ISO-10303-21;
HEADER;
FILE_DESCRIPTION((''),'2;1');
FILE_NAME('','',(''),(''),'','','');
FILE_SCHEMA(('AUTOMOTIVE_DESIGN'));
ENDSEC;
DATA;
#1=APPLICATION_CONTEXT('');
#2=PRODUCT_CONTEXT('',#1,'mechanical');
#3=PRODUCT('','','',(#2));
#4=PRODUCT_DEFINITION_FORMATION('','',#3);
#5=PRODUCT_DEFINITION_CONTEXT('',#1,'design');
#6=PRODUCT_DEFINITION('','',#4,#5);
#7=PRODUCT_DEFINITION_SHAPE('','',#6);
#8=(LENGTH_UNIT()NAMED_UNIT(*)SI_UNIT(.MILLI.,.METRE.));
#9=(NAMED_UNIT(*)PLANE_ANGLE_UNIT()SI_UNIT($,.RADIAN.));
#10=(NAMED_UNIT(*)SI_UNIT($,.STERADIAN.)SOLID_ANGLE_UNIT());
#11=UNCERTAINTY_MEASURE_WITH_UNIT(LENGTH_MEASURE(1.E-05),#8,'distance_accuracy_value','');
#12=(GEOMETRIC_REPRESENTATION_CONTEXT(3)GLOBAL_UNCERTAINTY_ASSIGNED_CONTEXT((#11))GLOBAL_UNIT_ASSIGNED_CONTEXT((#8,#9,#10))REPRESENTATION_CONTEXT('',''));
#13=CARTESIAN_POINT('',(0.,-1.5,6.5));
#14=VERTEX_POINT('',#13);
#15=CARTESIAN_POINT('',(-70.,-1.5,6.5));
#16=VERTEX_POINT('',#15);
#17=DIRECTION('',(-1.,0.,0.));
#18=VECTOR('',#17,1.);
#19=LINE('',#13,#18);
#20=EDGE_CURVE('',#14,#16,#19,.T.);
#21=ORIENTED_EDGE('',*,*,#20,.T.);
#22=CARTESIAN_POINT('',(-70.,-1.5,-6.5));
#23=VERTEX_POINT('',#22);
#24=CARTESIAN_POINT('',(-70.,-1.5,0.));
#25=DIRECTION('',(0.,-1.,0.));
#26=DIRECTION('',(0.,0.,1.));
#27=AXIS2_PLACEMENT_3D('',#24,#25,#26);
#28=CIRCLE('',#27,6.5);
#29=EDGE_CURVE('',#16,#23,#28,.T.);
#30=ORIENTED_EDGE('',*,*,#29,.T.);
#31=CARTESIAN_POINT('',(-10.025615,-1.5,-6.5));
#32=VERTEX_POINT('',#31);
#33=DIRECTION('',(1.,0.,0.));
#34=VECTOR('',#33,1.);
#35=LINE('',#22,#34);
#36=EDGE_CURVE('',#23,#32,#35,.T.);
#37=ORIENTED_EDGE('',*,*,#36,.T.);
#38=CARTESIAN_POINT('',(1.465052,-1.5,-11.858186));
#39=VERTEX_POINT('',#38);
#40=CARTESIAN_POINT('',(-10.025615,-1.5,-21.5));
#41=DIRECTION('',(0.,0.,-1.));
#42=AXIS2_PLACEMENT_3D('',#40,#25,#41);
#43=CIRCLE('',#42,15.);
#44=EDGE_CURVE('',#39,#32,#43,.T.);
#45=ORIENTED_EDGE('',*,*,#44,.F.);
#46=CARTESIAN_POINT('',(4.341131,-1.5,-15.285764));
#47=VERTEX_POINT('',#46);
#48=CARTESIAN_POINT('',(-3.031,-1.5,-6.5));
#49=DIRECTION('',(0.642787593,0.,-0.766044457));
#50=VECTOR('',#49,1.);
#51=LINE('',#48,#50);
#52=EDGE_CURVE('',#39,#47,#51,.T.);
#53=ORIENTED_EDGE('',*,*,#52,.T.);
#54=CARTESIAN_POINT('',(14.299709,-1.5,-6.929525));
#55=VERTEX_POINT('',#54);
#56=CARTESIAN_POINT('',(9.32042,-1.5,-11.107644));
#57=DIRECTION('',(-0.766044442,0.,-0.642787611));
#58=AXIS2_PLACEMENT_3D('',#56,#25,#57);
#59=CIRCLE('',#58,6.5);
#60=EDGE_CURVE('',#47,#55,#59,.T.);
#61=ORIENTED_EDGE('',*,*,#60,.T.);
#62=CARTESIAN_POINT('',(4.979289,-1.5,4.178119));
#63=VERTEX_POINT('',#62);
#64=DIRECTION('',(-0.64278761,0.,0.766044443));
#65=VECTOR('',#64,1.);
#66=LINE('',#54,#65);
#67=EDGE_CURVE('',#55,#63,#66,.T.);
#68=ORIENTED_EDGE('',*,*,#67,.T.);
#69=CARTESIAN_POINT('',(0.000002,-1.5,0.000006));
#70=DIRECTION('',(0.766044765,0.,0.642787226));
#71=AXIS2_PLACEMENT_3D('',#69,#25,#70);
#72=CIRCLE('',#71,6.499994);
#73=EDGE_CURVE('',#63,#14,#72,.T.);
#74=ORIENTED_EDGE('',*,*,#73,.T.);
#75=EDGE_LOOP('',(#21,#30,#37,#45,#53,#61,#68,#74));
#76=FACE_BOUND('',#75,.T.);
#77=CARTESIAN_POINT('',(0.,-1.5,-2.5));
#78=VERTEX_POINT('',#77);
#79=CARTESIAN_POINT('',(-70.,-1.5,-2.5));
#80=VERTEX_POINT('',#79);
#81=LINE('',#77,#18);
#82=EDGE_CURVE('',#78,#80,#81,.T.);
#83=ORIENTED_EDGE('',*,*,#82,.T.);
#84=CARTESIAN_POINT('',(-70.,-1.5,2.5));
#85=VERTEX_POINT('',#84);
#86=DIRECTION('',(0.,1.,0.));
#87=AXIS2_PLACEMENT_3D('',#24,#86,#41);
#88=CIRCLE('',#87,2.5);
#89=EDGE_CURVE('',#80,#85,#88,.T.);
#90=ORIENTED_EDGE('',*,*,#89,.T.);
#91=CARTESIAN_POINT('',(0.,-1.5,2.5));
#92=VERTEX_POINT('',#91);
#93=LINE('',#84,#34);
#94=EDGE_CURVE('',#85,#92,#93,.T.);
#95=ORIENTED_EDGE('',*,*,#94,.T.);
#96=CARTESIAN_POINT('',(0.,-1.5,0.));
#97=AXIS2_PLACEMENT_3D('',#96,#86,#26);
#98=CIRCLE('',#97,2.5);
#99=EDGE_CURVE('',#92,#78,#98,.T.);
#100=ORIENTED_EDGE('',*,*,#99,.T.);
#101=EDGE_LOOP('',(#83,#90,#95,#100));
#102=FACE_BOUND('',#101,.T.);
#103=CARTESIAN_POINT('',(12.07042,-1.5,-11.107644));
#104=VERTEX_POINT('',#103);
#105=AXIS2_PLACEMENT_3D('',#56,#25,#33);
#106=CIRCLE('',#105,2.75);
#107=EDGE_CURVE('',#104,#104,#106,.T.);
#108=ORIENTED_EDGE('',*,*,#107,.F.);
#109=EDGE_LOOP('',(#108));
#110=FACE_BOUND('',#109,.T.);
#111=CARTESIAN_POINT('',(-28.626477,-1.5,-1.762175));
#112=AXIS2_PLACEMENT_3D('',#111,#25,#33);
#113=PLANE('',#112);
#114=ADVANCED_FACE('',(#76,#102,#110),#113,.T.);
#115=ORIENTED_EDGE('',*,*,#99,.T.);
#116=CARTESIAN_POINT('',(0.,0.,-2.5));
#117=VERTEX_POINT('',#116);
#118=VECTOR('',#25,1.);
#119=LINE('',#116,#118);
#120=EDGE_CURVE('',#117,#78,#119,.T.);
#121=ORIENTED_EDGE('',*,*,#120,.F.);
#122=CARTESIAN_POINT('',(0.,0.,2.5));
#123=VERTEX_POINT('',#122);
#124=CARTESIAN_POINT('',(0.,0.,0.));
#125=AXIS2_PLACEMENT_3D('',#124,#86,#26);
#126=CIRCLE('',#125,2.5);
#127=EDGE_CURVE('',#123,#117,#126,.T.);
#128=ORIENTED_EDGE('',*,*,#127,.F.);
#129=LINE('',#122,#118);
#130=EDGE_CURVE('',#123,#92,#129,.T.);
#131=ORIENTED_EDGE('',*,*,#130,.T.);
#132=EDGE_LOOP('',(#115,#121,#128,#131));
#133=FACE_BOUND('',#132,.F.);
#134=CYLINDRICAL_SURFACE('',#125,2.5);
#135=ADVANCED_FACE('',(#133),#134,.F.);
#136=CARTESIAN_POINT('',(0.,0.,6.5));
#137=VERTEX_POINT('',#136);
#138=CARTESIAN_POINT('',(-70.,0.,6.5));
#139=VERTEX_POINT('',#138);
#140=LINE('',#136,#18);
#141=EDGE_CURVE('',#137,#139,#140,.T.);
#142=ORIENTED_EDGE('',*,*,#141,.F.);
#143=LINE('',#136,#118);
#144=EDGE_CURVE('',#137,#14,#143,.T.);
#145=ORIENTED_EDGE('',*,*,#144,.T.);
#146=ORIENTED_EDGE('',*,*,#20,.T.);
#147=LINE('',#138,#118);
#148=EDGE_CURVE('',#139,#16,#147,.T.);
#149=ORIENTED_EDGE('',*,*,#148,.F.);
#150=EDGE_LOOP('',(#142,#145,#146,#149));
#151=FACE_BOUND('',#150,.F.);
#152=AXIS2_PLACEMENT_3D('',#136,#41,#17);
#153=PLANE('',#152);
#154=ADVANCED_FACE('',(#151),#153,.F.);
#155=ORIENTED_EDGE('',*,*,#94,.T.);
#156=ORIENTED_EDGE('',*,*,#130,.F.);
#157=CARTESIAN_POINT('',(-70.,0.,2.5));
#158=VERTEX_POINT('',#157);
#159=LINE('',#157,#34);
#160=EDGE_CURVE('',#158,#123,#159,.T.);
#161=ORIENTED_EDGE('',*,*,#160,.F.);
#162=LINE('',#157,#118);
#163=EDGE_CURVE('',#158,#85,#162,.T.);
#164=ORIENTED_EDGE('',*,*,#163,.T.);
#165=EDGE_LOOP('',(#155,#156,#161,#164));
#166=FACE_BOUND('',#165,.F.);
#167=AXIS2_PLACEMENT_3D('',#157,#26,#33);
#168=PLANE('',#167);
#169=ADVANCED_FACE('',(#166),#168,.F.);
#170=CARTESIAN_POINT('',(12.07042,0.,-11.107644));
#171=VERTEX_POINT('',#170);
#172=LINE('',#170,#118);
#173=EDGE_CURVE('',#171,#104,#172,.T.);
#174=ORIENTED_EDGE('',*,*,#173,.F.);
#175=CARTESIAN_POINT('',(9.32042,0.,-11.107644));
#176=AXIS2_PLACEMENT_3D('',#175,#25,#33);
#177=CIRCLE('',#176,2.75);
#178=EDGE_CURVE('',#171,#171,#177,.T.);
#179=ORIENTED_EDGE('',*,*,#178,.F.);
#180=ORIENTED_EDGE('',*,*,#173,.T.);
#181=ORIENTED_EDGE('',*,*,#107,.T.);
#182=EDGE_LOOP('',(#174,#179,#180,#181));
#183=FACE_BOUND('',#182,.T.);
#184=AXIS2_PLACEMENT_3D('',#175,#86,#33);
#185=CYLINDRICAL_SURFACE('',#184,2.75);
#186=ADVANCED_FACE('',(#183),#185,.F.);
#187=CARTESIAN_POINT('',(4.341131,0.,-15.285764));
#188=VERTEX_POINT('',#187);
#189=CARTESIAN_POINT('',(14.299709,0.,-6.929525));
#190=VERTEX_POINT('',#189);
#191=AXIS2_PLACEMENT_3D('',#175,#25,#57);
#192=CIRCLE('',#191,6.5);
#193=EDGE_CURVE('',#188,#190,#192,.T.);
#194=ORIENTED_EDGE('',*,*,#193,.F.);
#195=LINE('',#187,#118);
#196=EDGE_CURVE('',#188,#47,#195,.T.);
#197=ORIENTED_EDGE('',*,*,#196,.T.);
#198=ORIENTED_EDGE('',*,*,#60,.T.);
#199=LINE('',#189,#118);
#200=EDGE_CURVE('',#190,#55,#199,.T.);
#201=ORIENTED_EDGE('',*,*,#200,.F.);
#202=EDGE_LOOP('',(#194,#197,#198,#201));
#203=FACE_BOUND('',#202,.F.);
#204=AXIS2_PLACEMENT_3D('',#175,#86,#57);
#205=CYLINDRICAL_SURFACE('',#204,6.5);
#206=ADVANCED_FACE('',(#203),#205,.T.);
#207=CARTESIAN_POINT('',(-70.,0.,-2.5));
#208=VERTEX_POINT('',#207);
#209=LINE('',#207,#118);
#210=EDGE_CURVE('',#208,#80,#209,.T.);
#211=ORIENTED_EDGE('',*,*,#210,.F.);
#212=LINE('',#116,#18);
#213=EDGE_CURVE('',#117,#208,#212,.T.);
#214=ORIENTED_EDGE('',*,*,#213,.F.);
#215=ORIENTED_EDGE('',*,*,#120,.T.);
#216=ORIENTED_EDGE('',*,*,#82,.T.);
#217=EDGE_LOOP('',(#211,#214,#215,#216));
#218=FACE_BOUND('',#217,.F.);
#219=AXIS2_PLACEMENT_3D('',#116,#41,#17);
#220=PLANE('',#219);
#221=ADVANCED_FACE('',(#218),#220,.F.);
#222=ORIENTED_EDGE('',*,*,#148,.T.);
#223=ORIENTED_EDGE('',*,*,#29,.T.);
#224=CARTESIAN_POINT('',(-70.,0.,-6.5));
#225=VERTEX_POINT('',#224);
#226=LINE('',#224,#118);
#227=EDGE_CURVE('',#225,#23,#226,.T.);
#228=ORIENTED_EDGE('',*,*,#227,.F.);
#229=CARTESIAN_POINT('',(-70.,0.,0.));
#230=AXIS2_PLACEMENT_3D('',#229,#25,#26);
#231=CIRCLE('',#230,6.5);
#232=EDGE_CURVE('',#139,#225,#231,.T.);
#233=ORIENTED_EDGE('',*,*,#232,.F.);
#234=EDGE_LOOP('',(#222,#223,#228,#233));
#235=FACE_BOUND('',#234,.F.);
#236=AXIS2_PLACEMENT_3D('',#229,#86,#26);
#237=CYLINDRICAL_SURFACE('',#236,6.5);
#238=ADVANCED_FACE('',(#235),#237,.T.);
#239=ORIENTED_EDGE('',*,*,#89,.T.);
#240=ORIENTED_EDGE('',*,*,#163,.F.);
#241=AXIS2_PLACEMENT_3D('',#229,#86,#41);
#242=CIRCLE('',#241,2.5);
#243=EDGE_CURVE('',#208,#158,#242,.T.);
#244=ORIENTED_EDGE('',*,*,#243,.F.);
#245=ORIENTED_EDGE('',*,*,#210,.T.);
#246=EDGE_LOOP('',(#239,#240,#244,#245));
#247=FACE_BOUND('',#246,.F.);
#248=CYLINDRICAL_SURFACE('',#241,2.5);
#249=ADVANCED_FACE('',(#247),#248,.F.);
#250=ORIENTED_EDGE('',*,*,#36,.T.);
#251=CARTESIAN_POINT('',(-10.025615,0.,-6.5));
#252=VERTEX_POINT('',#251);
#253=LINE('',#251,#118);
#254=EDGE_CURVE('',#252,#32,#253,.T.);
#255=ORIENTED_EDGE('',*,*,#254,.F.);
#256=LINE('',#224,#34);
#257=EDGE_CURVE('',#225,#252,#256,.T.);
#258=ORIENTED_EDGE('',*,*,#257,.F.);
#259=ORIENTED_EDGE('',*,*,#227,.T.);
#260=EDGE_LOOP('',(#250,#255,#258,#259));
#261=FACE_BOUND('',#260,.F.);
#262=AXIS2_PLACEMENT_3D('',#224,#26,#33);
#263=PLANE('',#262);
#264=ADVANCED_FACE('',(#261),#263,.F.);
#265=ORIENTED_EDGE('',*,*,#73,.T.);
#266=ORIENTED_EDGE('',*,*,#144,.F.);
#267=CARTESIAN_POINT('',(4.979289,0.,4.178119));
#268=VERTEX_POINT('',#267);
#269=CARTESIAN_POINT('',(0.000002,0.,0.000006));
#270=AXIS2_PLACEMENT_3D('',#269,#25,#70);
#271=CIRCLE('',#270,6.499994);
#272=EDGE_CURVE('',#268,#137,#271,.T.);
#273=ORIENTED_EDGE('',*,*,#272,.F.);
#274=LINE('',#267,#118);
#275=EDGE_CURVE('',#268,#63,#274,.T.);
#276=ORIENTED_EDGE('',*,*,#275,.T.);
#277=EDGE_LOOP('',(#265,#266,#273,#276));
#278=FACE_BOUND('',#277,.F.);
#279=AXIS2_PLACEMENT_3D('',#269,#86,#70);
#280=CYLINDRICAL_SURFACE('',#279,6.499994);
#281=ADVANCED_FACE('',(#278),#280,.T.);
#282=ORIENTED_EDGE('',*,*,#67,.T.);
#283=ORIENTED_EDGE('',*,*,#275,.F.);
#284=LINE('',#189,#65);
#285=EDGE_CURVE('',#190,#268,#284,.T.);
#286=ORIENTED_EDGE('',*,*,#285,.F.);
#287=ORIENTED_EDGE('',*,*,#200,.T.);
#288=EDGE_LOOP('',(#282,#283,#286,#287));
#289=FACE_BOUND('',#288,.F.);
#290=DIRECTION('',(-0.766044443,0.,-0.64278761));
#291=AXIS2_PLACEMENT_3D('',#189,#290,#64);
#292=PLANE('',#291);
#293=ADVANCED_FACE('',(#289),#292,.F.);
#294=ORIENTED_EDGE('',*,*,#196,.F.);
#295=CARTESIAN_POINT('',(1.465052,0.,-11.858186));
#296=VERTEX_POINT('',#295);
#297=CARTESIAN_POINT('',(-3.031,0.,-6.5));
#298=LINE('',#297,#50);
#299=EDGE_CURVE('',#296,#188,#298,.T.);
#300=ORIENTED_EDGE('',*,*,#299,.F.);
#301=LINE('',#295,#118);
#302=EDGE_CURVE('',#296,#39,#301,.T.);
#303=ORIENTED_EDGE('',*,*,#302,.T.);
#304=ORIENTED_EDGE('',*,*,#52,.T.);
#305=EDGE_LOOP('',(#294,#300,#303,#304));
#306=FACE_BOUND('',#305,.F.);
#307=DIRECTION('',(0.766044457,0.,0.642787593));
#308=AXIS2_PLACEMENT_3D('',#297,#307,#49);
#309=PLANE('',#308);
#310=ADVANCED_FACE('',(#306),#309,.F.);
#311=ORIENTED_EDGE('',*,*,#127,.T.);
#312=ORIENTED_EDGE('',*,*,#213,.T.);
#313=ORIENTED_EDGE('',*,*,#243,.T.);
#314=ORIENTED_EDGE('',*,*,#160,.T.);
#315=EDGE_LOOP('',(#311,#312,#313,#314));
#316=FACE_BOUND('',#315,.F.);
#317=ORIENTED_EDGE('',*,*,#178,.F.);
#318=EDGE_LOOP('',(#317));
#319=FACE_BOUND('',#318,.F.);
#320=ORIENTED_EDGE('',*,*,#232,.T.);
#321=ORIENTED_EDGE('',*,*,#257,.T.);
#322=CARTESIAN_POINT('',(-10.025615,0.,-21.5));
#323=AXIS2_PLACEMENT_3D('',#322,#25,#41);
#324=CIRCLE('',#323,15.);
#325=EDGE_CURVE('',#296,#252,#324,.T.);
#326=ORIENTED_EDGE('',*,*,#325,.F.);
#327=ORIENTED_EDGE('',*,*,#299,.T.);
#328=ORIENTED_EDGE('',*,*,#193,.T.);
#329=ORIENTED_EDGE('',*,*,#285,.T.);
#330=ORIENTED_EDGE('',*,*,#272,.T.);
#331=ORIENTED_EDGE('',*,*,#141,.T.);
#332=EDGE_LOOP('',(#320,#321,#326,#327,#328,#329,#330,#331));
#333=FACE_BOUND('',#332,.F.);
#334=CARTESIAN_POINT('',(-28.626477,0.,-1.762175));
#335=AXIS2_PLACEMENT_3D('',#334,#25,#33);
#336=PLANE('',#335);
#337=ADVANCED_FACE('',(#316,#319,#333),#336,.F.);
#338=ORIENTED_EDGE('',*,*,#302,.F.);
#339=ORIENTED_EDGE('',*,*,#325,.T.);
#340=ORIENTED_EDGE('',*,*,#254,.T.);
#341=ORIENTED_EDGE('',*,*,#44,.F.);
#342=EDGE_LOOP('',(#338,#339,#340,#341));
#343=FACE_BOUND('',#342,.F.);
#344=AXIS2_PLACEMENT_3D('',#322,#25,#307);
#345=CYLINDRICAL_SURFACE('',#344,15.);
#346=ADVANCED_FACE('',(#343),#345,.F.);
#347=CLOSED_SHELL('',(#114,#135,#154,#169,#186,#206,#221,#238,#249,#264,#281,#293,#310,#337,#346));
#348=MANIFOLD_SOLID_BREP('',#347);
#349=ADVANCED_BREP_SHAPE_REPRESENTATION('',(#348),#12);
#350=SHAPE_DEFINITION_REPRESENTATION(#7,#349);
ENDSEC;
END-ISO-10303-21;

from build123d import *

# Parameters (mm, degrees)
F0_R     = 2.75
F1_DEPTH = 1.5
F2_R     = 15


with BuildPart() as f1:
    # F0 (on Front) → F1 (new body)
    with BuildSketch(Plane.XZ):
        with BuildLine():
            ThreePointArc((4.979289, 4.178119), (2.747019, 5.891001), (0, 6.5))
            Line((0, 6.5), (-70, 6.5))
            ThreePointArc((-70, 6.5), (-76.5, 0), (-70, -6.5))
            Line((-70, -6.5), (-3.031, -6.5))
            Line((-3.031, -6.5), (4.341131, -15.285764))
            ThreePointArc((4.341131, -15.285764), (13.49854, -16.086933), (14.299709, -6.929525))
            Line((14.299709, -6.929525), (4.979289, 4.178119))
        make_face()
        with Locations((9.32042, -11.107644)):
            Circle(F0_R, mode=Mode.SUBTRACT)
        with BuildLine():
            Line((-70, 2.5), (0, 2.5))
            ThreePointArc((0, 2.5), (2.5, 0), (0, -2.5))
            Line((0, -2.5), (-70, -2.5))
            ThreePointArc((-70, -2.5), (-72.5, 0), (-70, 2.5))
        make_face(mode=Mode.SUBTRACT)
    extrude(amount=F1_DEPTH)

    # F2
    f2_edges = [f1.edges().sort_by_distance(p)[0] for p in [
        (-3.031, -0.75, -6.5),
    ]]
    fillet(f2_edges, radius=F2_R)


solid = f1.part
